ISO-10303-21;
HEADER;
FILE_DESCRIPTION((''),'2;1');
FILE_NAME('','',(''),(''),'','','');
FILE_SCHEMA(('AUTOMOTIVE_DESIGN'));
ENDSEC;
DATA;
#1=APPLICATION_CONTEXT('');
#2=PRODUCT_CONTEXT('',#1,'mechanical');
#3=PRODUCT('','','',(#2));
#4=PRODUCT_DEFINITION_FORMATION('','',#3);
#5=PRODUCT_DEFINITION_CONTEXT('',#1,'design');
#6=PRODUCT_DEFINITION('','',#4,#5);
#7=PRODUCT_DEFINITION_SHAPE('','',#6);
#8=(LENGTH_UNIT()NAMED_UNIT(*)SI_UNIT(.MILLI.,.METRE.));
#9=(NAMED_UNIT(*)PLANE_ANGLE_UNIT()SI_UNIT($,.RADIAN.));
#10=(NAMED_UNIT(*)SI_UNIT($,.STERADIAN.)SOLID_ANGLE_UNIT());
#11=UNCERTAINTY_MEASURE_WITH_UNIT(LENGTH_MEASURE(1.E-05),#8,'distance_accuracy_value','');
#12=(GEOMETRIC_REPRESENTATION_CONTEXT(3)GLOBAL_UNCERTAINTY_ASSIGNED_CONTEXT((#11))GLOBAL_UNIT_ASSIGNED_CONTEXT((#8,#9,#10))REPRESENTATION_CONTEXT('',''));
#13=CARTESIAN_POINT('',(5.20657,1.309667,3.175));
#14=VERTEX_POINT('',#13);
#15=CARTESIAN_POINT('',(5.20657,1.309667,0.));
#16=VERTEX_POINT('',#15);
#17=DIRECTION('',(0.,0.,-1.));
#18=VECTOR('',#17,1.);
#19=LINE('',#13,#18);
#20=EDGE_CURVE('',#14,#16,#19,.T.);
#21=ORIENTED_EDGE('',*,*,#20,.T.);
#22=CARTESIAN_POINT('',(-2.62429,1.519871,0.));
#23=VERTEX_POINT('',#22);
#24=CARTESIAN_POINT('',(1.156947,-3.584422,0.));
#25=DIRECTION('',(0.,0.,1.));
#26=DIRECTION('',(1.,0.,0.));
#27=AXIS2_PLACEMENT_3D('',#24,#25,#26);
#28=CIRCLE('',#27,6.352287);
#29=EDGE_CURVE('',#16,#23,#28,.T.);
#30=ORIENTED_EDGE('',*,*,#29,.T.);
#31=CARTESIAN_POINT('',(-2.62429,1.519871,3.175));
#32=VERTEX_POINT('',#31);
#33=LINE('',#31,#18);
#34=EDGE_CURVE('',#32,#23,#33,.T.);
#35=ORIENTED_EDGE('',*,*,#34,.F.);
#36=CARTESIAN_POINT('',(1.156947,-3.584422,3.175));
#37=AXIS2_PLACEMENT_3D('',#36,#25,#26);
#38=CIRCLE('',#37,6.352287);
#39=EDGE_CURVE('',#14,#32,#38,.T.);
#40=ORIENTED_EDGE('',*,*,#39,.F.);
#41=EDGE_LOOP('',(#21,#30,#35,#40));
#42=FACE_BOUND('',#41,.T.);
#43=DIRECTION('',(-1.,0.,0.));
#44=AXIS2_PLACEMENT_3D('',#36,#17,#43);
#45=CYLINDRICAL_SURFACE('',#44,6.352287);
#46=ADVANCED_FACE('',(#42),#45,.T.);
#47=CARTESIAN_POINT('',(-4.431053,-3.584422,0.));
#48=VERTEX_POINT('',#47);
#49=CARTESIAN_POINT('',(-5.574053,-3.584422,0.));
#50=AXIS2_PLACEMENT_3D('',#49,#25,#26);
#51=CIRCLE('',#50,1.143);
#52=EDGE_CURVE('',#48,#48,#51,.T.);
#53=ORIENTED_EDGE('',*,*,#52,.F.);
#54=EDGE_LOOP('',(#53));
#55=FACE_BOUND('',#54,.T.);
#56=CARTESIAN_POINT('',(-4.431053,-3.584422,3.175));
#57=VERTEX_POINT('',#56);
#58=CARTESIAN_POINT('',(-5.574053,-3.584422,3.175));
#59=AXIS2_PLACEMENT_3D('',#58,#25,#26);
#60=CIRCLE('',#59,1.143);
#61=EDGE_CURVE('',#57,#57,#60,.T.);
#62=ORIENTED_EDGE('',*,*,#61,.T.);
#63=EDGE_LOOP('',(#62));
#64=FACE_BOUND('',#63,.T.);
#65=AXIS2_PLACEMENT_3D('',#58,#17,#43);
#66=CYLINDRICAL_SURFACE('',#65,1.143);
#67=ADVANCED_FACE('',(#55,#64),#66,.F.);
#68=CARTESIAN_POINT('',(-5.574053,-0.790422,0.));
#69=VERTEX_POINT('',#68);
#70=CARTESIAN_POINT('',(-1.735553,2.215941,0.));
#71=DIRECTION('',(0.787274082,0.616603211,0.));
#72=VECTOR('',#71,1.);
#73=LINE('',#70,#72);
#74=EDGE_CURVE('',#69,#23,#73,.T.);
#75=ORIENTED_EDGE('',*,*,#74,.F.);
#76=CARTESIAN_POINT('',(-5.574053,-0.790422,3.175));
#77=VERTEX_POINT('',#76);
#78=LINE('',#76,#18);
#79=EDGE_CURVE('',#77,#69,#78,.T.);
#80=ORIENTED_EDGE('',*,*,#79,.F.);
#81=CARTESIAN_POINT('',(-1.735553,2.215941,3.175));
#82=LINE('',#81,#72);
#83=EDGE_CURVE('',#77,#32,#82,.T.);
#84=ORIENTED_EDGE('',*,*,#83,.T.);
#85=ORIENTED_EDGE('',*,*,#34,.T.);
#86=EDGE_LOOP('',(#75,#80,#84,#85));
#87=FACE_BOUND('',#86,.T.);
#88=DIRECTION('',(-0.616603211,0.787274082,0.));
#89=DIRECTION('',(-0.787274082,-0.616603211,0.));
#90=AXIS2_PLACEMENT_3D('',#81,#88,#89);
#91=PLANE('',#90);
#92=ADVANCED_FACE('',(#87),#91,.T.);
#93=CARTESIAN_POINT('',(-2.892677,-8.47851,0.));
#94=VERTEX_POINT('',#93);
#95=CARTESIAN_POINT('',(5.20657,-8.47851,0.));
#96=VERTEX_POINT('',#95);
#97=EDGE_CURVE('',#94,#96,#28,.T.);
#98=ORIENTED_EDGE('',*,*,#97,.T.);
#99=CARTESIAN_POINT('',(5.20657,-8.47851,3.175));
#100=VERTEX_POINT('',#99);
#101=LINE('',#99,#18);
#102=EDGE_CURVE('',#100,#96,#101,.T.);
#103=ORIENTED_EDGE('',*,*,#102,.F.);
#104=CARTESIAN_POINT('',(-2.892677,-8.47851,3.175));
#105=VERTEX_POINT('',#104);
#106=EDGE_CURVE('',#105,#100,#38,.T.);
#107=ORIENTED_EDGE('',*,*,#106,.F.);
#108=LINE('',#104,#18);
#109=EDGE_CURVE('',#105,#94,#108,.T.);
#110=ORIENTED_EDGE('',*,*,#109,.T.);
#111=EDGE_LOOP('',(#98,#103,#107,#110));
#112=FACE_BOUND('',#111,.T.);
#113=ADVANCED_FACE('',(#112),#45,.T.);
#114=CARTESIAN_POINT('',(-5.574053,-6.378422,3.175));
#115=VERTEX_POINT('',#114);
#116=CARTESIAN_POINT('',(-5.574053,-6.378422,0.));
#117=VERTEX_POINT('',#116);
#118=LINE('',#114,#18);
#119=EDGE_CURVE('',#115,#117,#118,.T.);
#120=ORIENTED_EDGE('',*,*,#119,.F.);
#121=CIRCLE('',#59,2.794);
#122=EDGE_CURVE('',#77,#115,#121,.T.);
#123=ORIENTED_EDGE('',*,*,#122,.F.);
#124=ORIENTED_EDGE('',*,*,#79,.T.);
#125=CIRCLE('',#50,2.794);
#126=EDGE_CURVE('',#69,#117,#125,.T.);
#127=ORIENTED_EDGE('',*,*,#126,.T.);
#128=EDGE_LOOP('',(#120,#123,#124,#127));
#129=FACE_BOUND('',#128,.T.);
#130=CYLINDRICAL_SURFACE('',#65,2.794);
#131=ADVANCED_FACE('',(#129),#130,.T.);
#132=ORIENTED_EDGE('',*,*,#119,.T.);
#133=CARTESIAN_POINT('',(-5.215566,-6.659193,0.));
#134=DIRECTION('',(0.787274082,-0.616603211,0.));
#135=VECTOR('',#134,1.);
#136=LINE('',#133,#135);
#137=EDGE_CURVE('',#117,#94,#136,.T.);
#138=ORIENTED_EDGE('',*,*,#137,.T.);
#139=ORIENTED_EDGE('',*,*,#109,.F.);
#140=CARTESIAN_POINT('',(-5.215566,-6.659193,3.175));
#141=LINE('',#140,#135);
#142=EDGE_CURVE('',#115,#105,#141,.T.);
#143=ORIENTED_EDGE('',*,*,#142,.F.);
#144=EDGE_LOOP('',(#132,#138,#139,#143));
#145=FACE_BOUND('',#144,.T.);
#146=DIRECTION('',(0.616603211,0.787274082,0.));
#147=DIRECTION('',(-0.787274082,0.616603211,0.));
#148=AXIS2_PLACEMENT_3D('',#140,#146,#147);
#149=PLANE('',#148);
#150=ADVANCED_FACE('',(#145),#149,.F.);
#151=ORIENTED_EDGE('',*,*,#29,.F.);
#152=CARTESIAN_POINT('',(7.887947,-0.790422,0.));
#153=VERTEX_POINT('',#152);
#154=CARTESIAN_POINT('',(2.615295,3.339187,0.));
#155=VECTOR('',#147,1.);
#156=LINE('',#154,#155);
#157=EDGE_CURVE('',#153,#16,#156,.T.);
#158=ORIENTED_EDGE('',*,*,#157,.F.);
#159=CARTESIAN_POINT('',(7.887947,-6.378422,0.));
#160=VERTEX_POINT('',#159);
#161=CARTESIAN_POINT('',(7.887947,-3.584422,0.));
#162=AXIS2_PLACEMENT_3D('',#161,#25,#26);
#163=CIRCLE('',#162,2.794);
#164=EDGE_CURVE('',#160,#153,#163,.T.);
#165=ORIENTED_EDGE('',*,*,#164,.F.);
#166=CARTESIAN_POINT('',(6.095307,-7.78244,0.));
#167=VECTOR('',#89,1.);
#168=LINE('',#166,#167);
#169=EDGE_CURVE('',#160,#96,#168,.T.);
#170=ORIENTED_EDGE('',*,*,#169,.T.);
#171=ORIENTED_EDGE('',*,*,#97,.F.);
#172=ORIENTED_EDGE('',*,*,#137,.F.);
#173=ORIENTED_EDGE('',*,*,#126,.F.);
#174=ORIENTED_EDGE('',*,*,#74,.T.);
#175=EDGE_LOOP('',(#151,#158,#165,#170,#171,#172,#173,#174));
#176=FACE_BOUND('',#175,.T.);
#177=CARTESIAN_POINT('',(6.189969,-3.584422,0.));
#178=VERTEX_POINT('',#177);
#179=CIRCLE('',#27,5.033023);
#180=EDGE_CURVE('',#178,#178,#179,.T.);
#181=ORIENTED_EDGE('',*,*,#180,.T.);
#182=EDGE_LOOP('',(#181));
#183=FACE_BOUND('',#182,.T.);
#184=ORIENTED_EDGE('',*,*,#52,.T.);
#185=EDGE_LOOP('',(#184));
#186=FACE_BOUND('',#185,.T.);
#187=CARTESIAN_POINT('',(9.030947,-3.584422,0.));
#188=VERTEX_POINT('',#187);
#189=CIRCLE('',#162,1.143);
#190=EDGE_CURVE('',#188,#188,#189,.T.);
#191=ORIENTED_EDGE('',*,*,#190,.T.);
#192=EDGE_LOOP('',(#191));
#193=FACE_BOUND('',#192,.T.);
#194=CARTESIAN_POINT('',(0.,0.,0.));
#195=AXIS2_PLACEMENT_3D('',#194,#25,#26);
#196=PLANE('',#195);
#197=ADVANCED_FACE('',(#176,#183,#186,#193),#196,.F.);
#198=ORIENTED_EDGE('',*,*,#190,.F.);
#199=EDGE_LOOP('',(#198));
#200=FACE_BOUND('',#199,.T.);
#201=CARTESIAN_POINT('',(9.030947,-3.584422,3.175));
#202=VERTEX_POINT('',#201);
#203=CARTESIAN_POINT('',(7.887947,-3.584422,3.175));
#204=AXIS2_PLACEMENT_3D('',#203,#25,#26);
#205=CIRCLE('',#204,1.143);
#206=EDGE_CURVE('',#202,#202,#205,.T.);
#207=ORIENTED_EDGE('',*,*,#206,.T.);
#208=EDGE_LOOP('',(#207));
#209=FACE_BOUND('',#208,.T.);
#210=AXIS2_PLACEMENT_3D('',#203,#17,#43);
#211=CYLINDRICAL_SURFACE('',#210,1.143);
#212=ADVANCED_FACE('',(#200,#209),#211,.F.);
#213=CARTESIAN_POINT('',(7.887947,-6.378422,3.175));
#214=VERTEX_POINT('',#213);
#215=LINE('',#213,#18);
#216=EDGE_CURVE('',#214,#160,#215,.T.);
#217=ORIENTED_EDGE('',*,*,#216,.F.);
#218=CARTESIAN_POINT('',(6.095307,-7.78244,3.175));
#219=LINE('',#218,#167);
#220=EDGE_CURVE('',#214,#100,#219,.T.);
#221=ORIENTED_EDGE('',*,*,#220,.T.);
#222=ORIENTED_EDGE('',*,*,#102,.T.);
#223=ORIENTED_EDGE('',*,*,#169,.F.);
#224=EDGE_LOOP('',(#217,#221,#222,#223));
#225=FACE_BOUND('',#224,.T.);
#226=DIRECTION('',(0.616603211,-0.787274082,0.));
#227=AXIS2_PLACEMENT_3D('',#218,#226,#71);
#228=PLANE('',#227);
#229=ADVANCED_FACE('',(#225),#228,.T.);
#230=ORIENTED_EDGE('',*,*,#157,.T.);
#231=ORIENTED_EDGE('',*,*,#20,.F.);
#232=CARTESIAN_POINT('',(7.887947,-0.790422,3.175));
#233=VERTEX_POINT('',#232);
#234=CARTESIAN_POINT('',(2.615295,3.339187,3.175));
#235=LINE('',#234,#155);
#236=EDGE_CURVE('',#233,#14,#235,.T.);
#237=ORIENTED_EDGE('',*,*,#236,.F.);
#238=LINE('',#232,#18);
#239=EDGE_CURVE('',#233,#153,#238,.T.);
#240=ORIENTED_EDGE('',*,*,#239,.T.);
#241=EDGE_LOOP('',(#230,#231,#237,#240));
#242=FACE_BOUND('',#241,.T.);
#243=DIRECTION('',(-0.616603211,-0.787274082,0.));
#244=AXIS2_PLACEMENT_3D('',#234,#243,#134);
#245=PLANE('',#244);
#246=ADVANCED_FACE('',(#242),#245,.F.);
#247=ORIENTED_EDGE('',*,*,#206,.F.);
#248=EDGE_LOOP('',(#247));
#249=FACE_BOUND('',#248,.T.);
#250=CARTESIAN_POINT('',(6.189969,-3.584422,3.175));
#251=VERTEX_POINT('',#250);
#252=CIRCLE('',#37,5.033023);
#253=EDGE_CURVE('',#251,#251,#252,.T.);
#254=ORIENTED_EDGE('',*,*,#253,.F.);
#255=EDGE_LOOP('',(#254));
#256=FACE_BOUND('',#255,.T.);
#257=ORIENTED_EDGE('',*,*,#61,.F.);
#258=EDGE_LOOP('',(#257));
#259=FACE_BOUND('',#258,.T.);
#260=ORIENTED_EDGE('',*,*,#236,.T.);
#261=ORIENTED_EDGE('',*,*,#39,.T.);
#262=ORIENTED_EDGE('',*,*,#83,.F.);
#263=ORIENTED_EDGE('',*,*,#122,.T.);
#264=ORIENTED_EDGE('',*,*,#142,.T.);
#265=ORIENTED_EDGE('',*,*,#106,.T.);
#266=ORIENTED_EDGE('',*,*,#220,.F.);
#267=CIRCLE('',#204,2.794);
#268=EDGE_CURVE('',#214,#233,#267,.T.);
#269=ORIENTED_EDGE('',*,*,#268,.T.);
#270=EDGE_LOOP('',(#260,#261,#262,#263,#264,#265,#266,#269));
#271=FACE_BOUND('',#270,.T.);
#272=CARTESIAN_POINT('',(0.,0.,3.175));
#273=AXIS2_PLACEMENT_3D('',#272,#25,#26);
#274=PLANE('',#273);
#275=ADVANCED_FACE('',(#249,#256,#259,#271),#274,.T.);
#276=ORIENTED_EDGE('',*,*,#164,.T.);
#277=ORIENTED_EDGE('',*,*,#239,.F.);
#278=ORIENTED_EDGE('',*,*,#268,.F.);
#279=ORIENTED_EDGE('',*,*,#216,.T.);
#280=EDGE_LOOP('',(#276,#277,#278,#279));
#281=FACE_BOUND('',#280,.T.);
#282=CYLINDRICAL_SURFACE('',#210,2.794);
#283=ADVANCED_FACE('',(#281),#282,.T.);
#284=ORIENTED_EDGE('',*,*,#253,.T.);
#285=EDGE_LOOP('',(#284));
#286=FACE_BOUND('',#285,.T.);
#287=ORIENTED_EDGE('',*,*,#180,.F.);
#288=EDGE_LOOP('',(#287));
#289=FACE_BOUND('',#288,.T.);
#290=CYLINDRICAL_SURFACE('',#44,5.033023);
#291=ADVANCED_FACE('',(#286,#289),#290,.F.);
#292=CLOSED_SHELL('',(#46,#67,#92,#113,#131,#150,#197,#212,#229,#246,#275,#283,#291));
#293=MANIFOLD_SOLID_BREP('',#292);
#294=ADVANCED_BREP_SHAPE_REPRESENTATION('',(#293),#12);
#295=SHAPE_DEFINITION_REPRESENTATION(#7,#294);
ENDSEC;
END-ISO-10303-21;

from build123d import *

# Parameters (mm, degrees)
SKETCH1_R           = 1.143
SKETCH1_R_2         = 5.0330227
BOSS_EXTRUDE1_DEPTH = 3.175


with BuildPart() as part:
    # Sketch1 → Boss-Extrude1 (new body)
    with BuildSketch(Plane.XY):
        with BuildLine():
            Line((-2.758483637, 1.414768622), (-5.574053245, -0.790421797))
            ThreePointArc((-5.574053245, -0.790421797), (-8.368053245, -3.584421797), (-5.574053245, -6.378421797))
            Line((-5.574053245, -6.378421797), (-2.89267695, -8.478510283))
            ThreePointArc((-2.89267695, -8.478510283), (1.156946755, -9.936709122), (5.206570461, -8.478510283))
            Line((5.206570461, -8.478510283), (7.887946755, -6.378421797))
            ThreePointArc((7.887946755, -6.378421797), (10.681946755, -3.584421797), (7.887946755, -0.790421797))
            Line((7.887946755, -0.790421797), (5.206570461, 1.309666689))
            ThreePointArc((5.206570461, 1.309666689), (1.327399862, 2.765578203), (-2.624290324, 1.519870555))
            Line((-2.624290324, 1.519870555), (-2.758483637, 1.414768622))
        make_face()
        with Locations((7.887946755, -3.584421797)):
            Circle(SKETCH1_R, mode=Mode.SUBTRACT)
        with Locations((-5.574053245, -3.584421797)):
            Circle(SKETCH1_R, mode=Mode.SUBTRACT)
        with Locations((1.156946755, -3.584421797)):
            Circle(SKETCH1_R_2, mode=Mode.SUBTRACT)
    extrude(amount=BOSS_EXTRUDE1_DEPTH)


solid = part.part
